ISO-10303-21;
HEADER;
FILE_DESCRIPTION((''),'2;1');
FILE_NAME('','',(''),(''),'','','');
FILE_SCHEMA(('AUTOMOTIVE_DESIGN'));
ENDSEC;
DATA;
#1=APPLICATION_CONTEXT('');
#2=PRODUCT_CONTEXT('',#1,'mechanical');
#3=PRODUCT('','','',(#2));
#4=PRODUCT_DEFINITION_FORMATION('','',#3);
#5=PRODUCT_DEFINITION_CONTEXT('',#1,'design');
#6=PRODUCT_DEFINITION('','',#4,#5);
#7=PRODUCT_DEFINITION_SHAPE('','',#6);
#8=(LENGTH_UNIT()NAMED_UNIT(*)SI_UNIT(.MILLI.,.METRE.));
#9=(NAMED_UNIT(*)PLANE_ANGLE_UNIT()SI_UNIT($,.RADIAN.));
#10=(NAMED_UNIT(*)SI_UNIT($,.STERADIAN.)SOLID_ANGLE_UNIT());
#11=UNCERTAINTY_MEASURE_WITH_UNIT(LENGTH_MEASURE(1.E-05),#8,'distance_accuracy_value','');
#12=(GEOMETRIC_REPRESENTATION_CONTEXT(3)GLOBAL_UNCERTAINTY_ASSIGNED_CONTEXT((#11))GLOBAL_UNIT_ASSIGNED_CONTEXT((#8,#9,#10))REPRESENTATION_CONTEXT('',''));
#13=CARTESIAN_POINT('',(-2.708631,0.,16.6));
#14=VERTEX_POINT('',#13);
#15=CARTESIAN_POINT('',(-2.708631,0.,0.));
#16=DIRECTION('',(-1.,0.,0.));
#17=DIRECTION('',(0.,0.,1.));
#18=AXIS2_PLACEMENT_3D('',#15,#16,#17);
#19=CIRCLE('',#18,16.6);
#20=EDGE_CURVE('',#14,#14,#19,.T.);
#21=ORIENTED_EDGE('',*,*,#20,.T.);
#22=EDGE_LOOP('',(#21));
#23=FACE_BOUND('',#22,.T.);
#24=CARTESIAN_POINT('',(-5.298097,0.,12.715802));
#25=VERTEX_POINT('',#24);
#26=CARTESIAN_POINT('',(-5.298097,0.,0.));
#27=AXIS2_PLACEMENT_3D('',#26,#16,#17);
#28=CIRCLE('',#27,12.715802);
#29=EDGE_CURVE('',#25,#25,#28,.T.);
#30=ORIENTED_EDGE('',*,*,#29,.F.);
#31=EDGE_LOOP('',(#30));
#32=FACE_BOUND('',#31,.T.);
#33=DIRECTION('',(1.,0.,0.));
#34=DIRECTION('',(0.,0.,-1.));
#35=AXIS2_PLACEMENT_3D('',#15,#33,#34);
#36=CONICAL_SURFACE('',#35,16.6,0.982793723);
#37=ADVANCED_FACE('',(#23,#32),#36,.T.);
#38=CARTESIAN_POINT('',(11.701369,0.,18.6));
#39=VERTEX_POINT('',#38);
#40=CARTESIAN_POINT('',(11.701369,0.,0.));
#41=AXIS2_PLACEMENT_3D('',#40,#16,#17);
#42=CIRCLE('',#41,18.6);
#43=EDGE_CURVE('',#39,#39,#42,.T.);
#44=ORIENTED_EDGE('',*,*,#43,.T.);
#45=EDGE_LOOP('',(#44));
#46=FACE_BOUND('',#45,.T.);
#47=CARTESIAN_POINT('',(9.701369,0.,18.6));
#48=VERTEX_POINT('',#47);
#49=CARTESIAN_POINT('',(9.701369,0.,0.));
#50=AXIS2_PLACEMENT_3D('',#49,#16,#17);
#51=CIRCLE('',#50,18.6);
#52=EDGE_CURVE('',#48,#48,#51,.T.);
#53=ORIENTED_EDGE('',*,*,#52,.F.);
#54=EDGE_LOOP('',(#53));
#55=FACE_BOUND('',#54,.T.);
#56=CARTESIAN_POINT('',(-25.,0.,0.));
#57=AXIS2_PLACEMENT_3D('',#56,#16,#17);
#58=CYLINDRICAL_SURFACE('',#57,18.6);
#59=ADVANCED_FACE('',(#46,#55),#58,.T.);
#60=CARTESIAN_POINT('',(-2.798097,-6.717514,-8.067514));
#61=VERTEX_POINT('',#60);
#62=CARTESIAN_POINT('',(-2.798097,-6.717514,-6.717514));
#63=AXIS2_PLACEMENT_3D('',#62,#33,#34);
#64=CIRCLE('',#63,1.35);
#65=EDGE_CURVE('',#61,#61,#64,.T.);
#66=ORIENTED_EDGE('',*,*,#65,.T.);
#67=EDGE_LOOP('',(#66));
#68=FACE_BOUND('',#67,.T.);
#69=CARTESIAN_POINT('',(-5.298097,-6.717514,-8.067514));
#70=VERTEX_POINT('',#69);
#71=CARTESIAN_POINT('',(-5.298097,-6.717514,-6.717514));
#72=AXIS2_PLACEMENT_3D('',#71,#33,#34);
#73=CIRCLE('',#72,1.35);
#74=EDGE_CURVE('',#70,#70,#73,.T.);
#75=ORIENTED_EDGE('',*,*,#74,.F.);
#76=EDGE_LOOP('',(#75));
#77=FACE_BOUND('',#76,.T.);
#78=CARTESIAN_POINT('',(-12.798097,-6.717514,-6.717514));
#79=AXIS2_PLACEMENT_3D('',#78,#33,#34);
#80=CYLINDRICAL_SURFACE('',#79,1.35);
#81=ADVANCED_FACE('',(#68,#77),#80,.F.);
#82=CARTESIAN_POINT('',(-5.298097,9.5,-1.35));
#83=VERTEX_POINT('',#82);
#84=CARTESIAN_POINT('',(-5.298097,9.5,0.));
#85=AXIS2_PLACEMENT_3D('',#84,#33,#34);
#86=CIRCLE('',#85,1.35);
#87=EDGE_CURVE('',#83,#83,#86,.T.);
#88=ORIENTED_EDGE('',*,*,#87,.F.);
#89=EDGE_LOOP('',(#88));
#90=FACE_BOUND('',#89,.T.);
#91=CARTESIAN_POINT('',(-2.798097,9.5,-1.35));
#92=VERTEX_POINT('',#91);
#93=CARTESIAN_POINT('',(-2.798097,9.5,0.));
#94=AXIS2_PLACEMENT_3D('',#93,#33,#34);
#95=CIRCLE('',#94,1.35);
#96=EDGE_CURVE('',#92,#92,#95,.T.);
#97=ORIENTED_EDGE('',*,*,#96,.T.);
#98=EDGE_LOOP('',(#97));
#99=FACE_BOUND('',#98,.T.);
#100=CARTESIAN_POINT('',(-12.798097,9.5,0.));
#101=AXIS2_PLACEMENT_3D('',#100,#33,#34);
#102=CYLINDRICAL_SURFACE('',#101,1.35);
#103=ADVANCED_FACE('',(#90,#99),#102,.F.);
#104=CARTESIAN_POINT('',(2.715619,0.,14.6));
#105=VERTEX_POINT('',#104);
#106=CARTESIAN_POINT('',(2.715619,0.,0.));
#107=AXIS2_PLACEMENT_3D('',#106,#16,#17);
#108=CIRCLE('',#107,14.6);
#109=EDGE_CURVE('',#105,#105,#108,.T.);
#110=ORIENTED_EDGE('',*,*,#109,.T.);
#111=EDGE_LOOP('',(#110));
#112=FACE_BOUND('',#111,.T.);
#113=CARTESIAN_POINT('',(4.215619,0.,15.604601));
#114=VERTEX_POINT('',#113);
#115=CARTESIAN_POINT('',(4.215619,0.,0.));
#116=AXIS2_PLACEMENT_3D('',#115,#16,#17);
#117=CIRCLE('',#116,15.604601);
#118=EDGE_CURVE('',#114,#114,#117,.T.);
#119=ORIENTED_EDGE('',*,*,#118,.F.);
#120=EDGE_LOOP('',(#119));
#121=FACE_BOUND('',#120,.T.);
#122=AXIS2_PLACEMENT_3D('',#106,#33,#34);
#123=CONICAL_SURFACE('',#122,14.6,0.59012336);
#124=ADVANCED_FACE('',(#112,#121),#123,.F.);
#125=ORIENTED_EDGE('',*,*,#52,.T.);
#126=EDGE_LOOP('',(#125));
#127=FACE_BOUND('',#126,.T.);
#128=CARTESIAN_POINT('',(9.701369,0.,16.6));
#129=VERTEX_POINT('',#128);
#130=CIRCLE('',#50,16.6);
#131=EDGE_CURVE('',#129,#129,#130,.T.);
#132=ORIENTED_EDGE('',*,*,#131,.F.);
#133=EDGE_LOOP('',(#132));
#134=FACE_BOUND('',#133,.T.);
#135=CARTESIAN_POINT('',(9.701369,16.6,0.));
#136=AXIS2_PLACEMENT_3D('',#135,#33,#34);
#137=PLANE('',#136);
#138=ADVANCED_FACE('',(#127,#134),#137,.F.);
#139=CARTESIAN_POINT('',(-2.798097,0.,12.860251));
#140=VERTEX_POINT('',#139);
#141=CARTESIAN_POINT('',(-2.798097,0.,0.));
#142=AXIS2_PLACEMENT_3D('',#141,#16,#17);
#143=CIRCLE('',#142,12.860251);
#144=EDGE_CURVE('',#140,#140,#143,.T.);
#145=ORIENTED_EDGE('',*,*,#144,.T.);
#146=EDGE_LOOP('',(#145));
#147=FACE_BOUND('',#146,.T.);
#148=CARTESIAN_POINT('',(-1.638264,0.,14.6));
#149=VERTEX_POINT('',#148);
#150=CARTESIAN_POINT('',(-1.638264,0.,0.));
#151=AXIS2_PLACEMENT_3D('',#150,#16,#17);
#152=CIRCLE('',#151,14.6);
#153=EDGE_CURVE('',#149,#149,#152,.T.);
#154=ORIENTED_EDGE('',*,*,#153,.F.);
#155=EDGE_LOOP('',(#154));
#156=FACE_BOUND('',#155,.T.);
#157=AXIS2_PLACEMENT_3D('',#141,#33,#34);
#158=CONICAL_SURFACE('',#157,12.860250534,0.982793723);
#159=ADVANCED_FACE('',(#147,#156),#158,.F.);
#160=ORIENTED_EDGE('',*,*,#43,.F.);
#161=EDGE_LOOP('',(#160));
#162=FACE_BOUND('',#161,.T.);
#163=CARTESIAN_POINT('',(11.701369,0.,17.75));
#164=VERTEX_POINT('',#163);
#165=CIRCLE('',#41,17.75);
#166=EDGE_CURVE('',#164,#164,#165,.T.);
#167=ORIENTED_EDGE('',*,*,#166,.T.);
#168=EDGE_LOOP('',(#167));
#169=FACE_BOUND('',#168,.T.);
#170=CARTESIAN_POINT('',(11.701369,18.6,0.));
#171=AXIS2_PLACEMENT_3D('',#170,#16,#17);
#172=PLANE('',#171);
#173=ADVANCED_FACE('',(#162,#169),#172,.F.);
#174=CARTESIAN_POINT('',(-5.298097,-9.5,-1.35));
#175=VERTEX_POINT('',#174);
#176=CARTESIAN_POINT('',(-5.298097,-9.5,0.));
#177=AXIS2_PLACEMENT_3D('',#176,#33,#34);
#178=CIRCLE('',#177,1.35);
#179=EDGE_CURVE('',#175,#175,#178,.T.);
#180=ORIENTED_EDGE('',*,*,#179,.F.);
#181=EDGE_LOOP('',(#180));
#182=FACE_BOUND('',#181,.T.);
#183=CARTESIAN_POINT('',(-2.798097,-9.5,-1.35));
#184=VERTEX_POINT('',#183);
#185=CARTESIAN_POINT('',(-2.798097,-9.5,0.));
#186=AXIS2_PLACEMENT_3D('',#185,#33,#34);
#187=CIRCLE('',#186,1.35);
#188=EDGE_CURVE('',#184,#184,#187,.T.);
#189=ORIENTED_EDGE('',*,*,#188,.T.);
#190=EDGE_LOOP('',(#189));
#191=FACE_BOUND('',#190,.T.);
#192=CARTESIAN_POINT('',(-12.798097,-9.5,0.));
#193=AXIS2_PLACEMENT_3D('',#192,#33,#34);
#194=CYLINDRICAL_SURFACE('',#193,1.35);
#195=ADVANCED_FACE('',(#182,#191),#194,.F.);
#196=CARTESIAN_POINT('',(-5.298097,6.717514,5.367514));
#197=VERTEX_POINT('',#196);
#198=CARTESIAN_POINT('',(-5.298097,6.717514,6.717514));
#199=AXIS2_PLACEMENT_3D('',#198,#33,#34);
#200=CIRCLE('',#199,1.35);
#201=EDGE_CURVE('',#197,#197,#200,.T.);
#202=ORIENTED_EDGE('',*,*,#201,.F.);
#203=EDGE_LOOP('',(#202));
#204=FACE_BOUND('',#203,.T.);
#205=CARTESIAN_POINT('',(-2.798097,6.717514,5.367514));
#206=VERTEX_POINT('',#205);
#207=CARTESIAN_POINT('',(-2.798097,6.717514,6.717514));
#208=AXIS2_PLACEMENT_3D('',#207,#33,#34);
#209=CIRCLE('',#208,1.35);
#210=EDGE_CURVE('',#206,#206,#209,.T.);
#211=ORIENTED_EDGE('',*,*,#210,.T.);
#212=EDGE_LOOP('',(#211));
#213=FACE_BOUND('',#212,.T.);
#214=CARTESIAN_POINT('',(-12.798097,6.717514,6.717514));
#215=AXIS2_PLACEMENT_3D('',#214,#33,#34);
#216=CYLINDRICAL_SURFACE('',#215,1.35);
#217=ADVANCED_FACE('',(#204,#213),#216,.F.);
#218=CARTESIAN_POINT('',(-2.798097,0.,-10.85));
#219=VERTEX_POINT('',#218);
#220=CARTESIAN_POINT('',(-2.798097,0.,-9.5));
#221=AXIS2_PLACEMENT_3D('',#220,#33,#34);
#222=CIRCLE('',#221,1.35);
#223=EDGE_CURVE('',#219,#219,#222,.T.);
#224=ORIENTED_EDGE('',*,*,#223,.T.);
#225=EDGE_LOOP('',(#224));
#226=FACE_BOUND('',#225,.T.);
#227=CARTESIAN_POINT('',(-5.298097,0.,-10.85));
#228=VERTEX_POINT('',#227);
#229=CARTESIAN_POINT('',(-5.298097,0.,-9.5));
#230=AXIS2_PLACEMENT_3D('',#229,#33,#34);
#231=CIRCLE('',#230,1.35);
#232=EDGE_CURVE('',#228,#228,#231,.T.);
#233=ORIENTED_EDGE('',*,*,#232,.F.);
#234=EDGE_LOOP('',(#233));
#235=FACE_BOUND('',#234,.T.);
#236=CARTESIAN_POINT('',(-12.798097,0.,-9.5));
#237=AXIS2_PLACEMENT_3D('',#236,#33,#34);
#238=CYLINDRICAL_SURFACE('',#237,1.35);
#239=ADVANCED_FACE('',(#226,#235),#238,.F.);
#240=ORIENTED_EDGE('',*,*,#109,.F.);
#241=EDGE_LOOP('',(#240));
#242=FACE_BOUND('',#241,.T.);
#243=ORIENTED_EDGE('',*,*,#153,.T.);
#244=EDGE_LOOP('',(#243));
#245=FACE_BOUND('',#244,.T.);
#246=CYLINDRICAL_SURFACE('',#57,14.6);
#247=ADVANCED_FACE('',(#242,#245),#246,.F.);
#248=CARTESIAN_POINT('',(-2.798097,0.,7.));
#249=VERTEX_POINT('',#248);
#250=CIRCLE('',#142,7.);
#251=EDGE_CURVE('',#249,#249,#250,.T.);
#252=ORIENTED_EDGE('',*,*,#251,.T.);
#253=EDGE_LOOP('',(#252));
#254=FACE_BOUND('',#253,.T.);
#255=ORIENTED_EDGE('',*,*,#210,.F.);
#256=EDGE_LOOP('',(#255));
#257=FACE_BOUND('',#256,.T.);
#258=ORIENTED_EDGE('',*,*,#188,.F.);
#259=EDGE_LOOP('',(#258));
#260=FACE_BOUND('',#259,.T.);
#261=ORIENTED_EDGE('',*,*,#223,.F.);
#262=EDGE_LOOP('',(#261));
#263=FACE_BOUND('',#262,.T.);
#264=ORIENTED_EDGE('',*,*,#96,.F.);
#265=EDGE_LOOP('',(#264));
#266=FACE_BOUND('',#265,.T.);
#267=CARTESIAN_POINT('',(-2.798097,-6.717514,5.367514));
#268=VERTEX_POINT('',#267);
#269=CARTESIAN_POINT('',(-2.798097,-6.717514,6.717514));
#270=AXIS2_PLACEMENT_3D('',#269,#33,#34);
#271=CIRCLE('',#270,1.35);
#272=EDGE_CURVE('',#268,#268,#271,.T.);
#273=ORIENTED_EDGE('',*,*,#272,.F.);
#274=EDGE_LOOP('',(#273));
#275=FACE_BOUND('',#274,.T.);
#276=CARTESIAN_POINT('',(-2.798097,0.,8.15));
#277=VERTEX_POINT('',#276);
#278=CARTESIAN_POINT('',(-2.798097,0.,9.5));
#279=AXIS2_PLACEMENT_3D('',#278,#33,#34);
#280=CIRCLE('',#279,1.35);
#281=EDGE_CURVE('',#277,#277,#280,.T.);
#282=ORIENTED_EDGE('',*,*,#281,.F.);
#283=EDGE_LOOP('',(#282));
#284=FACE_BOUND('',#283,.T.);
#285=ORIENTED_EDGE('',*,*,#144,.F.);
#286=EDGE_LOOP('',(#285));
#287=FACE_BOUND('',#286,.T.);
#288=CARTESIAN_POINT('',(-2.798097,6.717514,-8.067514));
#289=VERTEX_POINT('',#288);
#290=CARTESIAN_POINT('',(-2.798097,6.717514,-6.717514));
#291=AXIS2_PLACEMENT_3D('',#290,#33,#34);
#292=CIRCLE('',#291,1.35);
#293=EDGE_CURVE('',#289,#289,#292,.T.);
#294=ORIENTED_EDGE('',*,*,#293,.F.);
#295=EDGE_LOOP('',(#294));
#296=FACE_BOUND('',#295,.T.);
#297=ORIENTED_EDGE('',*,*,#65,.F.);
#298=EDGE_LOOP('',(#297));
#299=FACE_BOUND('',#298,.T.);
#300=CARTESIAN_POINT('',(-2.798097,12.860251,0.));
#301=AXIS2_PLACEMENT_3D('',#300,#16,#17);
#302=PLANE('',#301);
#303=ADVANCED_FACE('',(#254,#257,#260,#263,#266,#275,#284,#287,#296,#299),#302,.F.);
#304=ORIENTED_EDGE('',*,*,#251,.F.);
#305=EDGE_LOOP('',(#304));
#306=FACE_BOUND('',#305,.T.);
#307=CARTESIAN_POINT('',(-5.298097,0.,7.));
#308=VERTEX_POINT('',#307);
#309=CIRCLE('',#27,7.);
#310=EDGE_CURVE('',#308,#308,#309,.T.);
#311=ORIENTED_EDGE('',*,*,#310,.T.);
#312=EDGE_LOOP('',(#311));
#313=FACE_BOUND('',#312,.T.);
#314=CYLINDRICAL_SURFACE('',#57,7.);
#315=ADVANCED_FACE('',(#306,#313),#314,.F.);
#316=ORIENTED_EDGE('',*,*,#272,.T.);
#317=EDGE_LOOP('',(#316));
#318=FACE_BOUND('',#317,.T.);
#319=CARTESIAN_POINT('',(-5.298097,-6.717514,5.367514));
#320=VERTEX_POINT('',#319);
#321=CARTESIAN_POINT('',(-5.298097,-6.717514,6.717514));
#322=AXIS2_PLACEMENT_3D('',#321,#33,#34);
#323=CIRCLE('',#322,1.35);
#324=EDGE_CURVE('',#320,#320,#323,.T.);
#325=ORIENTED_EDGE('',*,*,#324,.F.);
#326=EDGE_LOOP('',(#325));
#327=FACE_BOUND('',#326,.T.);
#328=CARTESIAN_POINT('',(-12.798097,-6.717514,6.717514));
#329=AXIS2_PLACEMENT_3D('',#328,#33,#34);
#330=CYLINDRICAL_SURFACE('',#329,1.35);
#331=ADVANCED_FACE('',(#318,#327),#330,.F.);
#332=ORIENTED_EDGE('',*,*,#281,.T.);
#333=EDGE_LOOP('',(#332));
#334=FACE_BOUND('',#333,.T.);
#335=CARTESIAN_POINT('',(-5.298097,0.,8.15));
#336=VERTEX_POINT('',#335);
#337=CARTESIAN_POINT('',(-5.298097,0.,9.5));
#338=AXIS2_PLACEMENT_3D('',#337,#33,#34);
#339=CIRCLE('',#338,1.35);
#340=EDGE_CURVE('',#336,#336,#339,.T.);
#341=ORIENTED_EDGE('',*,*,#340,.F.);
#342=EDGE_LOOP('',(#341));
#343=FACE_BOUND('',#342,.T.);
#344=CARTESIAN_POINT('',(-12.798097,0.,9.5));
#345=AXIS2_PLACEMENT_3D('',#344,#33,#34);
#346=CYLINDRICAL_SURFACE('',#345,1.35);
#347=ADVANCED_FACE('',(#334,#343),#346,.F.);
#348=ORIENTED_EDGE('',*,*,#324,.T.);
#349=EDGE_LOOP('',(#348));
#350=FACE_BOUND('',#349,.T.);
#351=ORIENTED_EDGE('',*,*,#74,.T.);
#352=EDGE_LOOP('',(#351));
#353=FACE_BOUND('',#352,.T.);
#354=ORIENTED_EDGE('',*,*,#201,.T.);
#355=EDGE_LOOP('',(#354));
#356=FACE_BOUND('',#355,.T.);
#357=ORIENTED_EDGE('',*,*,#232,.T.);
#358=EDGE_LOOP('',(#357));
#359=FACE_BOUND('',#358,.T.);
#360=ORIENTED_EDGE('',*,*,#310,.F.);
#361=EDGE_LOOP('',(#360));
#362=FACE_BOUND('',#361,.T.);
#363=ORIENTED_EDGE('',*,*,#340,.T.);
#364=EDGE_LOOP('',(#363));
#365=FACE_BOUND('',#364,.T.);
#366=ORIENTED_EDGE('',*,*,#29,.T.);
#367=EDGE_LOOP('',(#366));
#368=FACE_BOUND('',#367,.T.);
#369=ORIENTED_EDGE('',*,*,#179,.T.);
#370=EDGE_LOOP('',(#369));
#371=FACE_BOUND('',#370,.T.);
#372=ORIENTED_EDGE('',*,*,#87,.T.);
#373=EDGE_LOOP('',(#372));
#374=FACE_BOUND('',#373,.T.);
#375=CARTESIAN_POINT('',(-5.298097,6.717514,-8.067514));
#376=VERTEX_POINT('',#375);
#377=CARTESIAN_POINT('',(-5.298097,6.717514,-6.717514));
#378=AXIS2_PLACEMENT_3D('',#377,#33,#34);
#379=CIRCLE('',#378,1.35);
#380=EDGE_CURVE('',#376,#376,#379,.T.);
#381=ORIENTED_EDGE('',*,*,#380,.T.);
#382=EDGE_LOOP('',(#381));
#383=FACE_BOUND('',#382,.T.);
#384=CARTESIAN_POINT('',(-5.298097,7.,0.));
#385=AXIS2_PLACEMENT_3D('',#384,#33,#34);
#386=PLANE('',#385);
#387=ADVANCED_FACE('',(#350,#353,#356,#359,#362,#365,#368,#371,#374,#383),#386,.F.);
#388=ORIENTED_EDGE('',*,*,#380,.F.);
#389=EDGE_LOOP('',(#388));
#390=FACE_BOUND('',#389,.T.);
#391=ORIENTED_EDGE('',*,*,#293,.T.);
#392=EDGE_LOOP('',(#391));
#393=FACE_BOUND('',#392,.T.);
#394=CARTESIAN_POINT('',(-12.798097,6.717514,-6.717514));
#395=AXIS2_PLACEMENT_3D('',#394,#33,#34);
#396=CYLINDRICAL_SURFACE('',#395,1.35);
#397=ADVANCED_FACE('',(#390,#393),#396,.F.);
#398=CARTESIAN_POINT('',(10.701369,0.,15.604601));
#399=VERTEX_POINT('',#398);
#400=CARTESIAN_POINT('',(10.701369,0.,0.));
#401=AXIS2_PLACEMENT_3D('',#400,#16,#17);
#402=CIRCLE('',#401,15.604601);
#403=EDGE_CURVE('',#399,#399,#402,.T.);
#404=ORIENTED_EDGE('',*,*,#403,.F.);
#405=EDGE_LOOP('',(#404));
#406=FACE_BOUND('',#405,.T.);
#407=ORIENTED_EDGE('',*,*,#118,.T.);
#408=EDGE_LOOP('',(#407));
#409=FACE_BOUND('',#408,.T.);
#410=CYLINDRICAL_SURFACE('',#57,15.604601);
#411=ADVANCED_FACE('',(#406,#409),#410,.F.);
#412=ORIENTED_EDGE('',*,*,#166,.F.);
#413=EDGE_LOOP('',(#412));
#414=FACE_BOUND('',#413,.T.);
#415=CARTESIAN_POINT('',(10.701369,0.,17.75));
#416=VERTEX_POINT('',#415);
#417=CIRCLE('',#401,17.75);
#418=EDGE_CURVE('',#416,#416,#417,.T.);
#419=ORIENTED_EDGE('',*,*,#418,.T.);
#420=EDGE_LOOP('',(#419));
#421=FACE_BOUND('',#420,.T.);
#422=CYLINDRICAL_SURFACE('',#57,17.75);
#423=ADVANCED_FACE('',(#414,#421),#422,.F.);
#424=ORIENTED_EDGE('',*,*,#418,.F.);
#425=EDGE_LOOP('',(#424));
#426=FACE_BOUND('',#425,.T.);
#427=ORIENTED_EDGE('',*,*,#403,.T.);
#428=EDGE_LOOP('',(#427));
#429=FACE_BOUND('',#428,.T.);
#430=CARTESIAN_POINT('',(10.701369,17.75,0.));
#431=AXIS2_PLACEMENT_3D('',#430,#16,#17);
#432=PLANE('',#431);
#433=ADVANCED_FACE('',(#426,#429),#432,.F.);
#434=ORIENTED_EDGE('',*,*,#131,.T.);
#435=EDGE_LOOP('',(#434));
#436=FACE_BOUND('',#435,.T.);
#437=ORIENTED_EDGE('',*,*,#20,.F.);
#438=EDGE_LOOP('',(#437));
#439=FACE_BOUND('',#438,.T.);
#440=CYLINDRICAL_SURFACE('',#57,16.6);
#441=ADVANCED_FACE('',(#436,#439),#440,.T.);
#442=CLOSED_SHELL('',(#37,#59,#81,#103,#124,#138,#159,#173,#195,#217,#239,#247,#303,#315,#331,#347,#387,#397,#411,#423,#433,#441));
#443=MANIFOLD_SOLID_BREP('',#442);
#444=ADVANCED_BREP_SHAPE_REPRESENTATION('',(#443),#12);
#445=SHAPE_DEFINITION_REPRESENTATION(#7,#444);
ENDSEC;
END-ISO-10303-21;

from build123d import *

# Parameters (mm, degrees)
SKETCH2_R          = 1.35
CUT_EXTRUDE1_DEPTH = 10


with BuildPart() as part:
    # Sketch1 → Revolve1 (revolve)
    with BuildSketch(Plane.XY):
        Polygon((-5.298096504, 7), (-5.298096504, 12.715801809), (-2.708631043, 16.6), (9.701368957, 16.6), (9.701368957, 18.6), (11.701368957, 18.6), (11.701368957, 17.75), (10.701368957, 17.75), (10.701368957, 15.604601484), (4.215618846, 15.604601484), (2.715618846, 14.6), (-1.638263526, 14.6), (-2.798096504, 12.860250534), (-2.798096504, 7), align=None)
    revolve(axis=Axis((-25, 0, 0), (1, 0, 0)))

    # Sketch2 → Cut-Extrude1 (cut)
    with BuildSketch(Plane(origin=(-2.798096504, 0, 0), x_dir=(0, 0, -1), z_dir=(1, 0, 0))):
        with Locations((0, 9.5)):
            Circle(SKETCH2_R)
        with Locations((6.717514421, 6.717514421)):
            Circle(SKETCH2_R)
        with Locations((9.5, 0)):
            Circle(SKETCH2_R)
        with Locations((6.717514421, -6.717514421)):
            Circle(SKETCH2_R)
        with Locations((0, -9.5)):
            Circle(SKETCH2_R)
        with Locations((-6.717514421, -6.717514421)):
            Circle(SKETCH2_R)
        with Locations((-9.5, 0)):
            Circle(SKETCH2_R)
        with Locations((-6.717514421, 6.717514421)):
            Circle(SKETCH2_R)
    extrude(amount=-CUT_EXTRUDE1_DEPTH, mode=Mode.SUBTRACT)


solid = part.part
